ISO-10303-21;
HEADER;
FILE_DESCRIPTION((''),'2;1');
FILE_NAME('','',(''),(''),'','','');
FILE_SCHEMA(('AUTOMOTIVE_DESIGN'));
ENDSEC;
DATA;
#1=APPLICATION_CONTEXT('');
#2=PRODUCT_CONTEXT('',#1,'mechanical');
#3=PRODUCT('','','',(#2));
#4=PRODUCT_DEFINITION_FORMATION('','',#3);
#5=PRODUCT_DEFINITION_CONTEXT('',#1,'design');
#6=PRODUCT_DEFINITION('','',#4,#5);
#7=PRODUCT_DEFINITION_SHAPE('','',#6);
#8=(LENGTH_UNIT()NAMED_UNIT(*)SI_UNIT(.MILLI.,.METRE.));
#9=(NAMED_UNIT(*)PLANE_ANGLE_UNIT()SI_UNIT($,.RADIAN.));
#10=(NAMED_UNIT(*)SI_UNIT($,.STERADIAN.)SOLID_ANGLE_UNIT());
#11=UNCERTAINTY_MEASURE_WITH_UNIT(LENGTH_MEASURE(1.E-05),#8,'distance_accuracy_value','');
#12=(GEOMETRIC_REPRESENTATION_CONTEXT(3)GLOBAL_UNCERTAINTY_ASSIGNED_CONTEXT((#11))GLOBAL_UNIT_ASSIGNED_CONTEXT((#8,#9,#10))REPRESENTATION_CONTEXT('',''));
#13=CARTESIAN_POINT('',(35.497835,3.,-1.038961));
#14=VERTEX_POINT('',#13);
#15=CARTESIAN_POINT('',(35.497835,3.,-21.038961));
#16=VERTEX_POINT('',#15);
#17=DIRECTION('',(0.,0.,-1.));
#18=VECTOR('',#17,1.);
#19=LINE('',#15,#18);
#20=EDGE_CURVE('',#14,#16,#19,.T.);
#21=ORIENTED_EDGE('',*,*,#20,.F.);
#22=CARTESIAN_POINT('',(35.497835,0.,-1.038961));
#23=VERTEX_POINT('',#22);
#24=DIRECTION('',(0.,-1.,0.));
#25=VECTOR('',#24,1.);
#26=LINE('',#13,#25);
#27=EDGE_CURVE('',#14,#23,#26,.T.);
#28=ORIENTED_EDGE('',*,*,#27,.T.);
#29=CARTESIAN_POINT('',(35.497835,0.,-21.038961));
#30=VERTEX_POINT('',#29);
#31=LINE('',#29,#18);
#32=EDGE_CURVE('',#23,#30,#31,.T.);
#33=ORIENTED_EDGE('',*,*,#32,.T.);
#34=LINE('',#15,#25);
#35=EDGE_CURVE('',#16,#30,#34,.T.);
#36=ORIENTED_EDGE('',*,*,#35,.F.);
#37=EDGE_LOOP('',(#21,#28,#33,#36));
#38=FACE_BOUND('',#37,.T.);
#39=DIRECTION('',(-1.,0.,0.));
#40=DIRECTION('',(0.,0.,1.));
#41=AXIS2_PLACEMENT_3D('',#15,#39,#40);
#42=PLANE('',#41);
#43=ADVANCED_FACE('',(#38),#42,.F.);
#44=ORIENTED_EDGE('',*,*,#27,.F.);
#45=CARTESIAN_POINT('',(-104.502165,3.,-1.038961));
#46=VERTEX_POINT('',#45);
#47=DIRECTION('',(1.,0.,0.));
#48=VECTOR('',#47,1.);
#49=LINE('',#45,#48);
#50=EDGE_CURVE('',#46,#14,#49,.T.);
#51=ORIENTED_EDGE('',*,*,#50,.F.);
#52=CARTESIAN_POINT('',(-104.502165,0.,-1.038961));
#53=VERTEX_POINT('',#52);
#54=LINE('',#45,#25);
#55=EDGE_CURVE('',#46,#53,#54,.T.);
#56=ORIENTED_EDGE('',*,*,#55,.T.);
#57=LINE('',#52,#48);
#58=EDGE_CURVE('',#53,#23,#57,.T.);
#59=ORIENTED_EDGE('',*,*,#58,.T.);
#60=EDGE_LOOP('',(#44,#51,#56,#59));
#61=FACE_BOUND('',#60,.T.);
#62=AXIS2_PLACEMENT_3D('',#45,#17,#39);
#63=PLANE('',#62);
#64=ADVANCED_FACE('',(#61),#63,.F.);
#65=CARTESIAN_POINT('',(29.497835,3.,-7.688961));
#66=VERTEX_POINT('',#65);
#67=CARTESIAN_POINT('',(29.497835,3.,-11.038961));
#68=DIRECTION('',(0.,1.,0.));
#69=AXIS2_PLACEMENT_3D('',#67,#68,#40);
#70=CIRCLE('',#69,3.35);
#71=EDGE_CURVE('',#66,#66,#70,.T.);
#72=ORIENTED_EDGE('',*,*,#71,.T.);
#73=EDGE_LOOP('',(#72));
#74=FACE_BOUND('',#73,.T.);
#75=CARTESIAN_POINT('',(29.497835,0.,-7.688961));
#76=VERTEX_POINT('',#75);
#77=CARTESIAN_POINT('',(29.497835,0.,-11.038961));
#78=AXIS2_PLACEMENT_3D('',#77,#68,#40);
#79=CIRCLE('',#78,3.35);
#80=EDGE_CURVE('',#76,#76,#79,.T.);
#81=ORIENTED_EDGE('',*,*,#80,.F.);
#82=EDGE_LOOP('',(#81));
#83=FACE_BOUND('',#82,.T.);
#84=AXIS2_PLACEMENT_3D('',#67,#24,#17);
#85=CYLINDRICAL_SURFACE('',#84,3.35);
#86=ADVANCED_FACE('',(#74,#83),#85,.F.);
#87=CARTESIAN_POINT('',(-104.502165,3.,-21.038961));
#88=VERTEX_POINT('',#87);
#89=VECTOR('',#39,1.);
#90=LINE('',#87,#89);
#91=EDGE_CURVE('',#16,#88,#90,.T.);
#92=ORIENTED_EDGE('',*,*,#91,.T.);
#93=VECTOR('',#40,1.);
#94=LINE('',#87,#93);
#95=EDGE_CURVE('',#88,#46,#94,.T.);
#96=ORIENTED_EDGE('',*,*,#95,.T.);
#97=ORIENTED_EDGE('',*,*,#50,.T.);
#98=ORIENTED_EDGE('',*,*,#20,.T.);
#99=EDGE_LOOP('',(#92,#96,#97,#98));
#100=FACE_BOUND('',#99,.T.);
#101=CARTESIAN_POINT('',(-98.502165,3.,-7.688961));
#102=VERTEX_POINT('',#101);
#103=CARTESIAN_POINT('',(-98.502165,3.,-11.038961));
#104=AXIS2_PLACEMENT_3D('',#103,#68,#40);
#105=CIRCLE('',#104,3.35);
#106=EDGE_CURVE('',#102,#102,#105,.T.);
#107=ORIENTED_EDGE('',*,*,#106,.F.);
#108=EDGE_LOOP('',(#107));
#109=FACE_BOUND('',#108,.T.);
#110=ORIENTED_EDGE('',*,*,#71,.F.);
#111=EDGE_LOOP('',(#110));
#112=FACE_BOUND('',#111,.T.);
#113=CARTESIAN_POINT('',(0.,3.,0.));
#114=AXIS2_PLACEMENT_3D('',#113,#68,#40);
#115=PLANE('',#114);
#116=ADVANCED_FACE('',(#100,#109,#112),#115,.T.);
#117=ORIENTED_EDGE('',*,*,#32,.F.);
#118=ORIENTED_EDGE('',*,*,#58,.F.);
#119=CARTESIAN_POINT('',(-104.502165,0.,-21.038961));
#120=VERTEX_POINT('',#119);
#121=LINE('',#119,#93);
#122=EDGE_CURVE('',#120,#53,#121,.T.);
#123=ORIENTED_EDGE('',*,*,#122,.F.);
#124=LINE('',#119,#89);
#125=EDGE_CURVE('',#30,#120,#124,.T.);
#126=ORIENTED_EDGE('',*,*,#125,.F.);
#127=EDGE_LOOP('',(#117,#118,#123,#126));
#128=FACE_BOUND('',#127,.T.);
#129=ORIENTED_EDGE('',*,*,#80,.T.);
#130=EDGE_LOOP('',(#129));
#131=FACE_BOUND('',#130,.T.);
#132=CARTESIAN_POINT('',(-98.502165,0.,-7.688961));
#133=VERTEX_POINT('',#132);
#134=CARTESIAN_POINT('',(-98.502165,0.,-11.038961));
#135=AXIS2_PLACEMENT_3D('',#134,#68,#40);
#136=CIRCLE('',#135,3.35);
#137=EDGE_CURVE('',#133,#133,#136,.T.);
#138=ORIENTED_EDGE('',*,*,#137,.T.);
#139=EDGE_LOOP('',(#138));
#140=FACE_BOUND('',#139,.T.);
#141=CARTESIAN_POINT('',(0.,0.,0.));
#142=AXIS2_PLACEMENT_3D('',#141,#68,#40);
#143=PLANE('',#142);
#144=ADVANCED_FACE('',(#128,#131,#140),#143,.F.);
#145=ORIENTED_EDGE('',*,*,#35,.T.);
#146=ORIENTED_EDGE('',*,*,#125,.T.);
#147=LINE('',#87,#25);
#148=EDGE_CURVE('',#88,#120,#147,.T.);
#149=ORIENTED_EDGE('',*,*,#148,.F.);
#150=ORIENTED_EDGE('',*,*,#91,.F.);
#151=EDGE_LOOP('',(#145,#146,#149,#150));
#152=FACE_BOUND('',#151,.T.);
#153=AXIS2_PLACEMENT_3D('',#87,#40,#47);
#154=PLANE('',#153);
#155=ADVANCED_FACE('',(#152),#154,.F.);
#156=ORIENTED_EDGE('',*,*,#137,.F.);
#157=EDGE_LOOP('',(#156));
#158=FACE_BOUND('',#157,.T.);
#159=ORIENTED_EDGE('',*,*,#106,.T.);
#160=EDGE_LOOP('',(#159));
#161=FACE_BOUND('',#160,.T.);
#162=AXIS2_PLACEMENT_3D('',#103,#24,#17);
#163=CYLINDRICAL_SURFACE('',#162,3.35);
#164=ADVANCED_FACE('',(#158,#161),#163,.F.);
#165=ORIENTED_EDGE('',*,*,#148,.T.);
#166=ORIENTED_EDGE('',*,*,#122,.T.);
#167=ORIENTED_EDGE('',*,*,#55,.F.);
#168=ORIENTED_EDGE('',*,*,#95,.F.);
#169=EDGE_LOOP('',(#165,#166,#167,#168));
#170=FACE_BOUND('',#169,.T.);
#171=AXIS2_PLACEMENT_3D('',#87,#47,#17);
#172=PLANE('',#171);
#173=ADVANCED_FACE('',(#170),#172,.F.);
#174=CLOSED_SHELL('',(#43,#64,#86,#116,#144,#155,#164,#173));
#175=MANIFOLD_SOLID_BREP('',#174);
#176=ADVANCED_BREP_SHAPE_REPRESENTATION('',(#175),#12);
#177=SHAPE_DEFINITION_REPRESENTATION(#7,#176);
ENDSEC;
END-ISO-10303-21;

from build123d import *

# Parameters (mm, degrees)
SKETCH1_W           = 140
SKETCH1_H           = 20
SKETCH1_R           = 3.35
BOSS_EXTRUDE1_DEPTH = 3


with BuildPart() as part:
    # Sketch1 → Boss-Extrude1 (new body)
    with BuildSketch(Plane(origin=(0, 0, 0), x_dir=(1, 0, 0), z_dir=(0, 1, 0))):
        with Locations((-34.502164502, 11.038961039)):
            Rectangle(SKETCH1_W, SKETCH1_H)
        with Locations(Location((-98.502164502, 11.038961039, 0), (0, 0, 270))):
            Circle(SKETCH1_R, mode=Mode.SUBTRACT)
        with Locations(Location((29.497835498, 11.038961039, 0), (0, 0, 270))):
            Circle(SKETCH1_R, mode=Mode.SUBTRACT)
    extrude(amount=BOSS_EXTRUDE1_DEPTH)


solid = part.part
